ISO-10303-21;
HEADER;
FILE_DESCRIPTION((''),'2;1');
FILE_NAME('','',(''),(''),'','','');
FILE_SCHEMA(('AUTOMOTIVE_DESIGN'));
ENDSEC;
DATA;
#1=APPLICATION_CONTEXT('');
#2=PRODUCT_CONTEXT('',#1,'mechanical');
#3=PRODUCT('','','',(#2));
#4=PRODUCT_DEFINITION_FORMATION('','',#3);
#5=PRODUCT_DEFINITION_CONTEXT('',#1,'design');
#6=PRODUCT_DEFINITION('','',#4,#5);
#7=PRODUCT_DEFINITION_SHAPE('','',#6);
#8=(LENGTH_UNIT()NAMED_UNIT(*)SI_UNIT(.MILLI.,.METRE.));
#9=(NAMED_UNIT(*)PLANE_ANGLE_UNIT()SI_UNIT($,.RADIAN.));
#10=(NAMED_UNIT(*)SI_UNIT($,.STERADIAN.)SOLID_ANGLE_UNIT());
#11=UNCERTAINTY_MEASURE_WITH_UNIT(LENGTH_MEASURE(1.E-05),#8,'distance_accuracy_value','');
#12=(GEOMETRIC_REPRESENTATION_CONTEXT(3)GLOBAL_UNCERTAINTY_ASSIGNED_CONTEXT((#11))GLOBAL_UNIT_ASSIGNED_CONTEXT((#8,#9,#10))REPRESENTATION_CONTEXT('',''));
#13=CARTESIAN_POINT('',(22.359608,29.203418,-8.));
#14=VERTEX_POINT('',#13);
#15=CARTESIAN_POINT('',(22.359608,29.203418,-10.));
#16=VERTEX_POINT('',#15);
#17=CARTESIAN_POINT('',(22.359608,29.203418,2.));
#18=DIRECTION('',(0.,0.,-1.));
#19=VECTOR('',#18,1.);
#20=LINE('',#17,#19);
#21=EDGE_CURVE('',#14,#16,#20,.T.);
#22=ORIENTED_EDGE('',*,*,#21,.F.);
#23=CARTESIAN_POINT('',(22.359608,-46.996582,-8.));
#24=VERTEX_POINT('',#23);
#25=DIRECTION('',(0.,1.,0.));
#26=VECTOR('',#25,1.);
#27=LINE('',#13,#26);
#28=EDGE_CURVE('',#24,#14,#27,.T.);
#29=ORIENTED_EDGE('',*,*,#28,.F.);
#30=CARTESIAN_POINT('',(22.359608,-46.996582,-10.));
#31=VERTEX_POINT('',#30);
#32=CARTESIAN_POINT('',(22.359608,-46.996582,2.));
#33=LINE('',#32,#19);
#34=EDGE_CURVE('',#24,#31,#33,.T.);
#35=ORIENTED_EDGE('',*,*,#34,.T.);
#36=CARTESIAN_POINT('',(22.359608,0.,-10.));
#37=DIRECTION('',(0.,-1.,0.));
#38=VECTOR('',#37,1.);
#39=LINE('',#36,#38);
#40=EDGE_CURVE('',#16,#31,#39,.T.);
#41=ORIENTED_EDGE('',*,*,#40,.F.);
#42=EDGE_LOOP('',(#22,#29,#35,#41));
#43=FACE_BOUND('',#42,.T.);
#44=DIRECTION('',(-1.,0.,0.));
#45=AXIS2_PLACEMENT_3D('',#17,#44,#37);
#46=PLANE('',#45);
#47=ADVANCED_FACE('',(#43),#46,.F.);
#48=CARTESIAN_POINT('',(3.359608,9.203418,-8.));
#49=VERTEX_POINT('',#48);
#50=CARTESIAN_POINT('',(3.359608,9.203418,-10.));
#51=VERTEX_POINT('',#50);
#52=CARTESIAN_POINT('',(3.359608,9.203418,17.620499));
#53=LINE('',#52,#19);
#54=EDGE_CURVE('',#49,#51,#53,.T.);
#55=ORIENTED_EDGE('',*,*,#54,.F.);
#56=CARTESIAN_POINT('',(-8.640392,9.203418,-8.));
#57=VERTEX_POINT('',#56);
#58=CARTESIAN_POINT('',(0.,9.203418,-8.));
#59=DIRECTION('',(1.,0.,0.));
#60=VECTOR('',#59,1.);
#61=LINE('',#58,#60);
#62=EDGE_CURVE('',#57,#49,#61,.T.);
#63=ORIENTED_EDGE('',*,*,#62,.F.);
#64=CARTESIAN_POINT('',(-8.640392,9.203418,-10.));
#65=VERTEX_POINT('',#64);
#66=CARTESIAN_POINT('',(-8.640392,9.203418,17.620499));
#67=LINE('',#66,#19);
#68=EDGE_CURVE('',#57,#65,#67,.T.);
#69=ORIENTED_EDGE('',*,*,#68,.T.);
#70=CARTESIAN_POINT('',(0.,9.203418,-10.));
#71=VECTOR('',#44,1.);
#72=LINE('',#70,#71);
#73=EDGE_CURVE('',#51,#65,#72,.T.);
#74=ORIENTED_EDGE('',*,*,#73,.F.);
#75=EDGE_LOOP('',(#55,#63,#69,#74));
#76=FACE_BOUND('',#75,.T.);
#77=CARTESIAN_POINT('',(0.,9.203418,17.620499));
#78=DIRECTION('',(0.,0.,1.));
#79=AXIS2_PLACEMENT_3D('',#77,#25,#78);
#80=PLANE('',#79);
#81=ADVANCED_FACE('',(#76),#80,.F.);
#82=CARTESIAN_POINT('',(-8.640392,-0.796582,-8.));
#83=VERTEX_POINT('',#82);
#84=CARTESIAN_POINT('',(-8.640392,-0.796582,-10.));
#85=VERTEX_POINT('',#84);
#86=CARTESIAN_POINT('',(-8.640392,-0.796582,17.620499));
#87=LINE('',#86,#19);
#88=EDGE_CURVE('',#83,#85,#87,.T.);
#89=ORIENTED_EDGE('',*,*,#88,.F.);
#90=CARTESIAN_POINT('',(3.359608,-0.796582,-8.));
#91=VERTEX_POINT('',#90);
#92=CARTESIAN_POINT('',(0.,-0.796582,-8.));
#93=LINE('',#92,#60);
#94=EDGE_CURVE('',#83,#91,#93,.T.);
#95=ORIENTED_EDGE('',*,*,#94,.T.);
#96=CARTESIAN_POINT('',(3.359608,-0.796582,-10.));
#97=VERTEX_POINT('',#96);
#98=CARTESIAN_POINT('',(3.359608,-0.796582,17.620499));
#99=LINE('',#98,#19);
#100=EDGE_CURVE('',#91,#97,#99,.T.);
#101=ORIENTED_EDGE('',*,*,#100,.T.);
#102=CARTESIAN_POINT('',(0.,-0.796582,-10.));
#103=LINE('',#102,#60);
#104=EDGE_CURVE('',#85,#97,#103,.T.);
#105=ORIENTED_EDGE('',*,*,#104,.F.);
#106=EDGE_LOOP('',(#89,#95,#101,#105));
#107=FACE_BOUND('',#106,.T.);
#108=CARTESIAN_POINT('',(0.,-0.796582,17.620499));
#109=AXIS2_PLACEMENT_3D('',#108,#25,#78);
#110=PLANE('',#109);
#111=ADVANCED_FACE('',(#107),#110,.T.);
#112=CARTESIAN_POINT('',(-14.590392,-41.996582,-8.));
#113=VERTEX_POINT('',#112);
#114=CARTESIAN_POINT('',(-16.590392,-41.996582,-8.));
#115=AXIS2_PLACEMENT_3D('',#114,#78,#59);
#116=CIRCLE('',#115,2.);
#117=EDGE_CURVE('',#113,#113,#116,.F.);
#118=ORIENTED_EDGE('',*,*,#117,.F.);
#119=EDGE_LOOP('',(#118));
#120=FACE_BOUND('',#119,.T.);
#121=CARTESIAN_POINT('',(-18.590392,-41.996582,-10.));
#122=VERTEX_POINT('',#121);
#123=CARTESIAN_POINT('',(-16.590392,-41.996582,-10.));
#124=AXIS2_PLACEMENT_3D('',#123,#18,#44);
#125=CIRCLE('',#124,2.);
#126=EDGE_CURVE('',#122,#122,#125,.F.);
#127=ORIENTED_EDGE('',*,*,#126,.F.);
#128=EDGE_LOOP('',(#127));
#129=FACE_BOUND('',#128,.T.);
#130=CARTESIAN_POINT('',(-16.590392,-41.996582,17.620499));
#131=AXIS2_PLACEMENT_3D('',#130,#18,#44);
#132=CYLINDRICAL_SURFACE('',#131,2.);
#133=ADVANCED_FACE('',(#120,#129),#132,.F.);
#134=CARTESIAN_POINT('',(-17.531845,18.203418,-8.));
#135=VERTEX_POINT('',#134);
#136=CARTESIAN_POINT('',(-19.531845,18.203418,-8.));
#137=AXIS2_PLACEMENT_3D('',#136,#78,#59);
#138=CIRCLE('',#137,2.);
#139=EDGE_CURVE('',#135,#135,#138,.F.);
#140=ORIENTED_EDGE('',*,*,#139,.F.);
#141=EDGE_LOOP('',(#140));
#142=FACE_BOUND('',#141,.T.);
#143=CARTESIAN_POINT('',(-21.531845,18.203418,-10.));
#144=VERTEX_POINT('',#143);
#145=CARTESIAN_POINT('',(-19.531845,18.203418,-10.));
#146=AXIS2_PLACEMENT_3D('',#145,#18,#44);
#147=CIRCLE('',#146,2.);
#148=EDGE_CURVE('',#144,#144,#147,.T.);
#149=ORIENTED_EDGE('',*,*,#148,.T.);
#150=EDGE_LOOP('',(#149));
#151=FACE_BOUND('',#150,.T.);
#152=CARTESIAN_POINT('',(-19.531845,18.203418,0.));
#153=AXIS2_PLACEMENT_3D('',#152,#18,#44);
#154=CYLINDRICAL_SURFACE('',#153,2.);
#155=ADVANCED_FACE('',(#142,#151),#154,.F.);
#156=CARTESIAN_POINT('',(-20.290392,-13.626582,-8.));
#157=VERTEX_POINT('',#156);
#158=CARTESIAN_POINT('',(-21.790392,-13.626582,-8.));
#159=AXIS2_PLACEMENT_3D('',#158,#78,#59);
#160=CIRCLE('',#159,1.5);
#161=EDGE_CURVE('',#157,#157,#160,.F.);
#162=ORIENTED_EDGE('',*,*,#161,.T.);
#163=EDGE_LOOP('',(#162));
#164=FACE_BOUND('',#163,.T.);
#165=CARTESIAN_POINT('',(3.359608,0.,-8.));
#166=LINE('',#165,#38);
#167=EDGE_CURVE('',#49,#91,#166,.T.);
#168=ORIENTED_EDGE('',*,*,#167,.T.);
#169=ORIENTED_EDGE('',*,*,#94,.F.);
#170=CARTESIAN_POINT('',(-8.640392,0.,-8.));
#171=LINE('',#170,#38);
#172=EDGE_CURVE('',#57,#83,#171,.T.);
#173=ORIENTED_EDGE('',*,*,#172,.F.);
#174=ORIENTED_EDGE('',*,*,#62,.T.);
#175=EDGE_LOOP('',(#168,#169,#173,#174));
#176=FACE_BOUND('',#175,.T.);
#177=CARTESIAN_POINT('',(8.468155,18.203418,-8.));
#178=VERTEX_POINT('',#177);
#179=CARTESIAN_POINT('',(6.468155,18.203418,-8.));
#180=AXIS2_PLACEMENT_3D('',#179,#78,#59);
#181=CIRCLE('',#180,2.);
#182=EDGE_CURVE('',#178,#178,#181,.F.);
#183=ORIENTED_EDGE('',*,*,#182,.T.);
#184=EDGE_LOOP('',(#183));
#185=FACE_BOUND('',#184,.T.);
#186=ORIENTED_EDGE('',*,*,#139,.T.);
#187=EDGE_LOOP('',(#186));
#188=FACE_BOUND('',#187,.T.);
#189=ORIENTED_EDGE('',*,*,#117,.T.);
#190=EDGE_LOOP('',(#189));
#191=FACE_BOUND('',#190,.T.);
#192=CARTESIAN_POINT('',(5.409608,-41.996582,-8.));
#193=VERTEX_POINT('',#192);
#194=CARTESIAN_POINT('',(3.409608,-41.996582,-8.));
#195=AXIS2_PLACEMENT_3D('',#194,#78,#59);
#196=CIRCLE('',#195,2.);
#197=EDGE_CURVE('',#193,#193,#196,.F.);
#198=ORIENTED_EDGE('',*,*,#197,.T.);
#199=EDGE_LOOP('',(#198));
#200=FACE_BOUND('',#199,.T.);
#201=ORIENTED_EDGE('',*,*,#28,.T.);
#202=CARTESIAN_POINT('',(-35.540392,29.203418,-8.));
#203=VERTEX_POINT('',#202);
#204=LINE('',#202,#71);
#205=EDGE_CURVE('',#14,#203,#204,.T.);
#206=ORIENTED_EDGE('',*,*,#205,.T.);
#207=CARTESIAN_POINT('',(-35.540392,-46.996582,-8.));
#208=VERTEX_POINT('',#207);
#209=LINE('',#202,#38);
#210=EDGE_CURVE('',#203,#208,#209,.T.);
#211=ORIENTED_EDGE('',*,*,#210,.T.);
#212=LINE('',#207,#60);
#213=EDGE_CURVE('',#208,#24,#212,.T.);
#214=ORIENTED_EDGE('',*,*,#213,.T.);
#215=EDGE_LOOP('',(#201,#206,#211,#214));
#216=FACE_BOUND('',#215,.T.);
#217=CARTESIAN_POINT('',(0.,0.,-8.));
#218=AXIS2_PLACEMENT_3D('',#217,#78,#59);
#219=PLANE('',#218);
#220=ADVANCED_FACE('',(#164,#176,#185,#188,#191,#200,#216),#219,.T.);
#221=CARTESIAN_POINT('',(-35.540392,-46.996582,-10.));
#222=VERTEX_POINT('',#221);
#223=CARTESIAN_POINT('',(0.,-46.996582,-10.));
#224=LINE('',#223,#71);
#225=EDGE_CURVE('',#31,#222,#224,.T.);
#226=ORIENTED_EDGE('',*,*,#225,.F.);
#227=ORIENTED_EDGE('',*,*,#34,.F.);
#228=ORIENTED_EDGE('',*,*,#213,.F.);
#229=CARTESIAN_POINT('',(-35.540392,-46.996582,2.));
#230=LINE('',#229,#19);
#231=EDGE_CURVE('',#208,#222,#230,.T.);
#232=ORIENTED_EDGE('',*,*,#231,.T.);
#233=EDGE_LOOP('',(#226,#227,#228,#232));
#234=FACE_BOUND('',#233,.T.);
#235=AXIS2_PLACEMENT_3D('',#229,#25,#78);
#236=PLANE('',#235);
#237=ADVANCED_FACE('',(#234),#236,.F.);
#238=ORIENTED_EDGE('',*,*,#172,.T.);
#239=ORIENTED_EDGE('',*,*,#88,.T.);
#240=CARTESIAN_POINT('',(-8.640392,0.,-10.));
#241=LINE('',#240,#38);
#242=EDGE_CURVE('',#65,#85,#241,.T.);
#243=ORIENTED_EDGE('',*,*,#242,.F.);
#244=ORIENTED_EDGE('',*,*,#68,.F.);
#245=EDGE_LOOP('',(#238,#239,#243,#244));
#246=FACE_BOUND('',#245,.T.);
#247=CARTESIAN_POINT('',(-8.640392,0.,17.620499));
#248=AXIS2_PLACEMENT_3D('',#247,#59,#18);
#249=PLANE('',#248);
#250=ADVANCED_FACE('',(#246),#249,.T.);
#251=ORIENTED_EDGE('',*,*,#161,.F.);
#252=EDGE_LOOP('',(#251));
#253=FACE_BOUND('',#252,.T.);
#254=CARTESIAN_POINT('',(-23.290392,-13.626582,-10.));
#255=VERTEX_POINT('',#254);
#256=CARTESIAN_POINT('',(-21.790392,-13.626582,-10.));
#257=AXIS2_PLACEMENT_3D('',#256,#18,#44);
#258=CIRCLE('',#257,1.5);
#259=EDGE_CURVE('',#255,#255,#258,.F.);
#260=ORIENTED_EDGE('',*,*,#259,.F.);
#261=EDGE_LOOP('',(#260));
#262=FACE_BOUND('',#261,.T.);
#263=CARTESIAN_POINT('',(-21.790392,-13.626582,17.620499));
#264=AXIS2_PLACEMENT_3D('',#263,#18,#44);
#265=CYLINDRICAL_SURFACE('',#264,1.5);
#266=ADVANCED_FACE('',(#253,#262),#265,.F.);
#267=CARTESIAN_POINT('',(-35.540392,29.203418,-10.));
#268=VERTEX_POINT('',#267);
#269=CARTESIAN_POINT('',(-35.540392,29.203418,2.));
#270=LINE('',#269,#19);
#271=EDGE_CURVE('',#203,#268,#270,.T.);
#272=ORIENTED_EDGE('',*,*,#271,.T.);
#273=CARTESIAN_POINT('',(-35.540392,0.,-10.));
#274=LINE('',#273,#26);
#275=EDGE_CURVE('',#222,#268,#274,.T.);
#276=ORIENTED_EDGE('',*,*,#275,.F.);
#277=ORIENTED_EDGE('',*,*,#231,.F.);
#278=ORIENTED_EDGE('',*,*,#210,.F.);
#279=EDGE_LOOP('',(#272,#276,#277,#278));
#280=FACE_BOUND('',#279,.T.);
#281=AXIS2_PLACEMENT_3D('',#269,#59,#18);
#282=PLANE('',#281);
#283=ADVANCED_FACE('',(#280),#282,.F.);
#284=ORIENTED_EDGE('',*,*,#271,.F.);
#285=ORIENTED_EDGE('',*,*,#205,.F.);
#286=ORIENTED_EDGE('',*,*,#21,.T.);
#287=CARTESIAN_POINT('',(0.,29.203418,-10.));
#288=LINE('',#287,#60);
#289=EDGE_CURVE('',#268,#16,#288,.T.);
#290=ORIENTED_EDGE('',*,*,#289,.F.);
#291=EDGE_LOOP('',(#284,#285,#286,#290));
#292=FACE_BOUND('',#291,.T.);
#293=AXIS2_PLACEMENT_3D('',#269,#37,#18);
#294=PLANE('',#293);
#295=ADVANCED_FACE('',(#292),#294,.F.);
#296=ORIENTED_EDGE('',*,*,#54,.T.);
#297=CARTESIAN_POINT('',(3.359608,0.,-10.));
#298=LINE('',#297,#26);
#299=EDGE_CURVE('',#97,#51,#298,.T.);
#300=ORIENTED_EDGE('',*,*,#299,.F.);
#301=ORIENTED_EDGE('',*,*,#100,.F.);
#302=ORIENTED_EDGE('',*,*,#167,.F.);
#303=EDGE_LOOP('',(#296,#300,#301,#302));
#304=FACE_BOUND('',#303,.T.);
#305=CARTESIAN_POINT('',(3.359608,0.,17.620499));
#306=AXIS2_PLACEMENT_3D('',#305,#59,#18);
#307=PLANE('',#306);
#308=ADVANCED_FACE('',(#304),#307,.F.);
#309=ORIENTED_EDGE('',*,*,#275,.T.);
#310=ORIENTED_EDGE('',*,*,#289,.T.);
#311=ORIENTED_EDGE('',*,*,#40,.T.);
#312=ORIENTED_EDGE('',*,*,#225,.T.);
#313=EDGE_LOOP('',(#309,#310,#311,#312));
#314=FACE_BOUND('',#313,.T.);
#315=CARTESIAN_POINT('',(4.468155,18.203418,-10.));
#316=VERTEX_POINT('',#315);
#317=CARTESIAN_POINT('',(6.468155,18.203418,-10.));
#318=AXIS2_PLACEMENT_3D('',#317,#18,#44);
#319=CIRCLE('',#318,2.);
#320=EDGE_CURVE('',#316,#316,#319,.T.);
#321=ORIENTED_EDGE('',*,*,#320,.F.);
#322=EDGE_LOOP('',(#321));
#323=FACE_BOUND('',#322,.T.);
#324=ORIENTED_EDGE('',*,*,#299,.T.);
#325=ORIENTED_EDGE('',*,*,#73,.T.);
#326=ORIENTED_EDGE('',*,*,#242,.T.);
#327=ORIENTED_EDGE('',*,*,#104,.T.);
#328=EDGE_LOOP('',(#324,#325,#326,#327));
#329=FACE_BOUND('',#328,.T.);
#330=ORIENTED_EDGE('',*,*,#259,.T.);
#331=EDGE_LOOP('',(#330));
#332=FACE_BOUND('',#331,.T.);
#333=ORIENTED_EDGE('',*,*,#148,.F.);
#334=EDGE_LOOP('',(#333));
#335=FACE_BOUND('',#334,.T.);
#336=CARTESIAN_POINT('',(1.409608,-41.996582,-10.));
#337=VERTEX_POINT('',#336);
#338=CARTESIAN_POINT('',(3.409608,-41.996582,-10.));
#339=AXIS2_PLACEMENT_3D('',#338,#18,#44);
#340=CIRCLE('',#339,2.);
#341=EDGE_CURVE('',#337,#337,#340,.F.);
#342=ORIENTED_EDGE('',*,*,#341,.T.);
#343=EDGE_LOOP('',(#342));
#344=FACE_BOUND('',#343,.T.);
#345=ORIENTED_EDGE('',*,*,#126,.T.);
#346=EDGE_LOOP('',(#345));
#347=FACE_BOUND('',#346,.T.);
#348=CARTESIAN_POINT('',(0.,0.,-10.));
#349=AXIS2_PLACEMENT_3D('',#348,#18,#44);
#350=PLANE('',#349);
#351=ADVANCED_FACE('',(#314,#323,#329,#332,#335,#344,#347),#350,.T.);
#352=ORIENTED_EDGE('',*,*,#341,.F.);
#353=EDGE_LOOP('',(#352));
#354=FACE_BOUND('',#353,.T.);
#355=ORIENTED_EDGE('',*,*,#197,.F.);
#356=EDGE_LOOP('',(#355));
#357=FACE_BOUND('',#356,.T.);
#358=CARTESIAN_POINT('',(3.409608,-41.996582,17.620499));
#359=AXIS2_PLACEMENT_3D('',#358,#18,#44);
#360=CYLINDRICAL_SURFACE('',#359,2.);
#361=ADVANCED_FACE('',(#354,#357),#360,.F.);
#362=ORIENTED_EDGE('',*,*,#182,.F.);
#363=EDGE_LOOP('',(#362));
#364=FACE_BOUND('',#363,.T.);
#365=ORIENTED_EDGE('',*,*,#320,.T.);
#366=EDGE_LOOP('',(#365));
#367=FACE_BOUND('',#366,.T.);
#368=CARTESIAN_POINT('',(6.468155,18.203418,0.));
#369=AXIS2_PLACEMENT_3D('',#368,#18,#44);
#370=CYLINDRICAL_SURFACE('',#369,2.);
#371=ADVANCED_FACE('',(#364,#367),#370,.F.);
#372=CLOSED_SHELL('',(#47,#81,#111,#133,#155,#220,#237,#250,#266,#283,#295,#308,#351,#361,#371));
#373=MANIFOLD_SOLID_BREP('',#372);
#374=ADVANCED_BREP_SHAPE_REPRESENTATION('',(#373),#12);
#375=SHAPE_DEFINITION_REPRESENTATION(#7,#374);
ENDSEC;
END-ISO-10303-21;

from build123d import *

# Parameters (mm, degrees)
SKETCH1_W           = 57.9
SKETCH1_H           = 76.2
BOSS_EXTRUDE1_DEPTH = 2
SKETCH2_R           = 2
SKETCH2_W           = 12
SKETCH2_H           = 10
SKETCH2_R_2         = 1.5
CUT_EXTRUDE1_DEPTH  = 2
SKETCH4_R           = 2
SKETCH4_R_2         = 1.5
SKETCH4_R_3         = 1.957178151
BOSS_EXTRUDE5_DEPTH = 2
SKETCH8_W           = 57.9
SKETCH8_H           = 76.2
SKETCH8_R           = 2
SKETCH8_R_2         = 1.5
SKETCH8_W_2         = 12
SKETCH8_H_2         = 10
BOSS_EXTRUDE6_DEPTH = 10
SKETCH9_R           = 2
CUT_EXTRUDE6_DEPTH  = 10
SKETCH10_W          = 57.9
SKETCH10_H          = 76.2
CUT_EXTRUDE7_DEPTH  = 10


with BuildPart() as part:
    # Sketch1 → Boss-Extrude1 (new body)
    with BuildSketch(Plane.XY):
        with Locations((-6.590392234, -8.896581688)):
            Rectangle(SKETCH1_W, SKETCH1_H)
    extrude(amount=BOSS_EXTRUDE1_DEPTH)

    # Sketch2 → Cut-Extrude1 (cut)
    with BuildSketch(Plane(origin=(0, 0, 0), x_dir=(-1, 0, 0), z_dir=(0, 0, -1))):
        with Locations((-6.409607766, 14.203418312)):
            Circle(SKETCH2_R)
        with Locations((19.590392234, 14.203418312)):
            Circle(SKETCH2_R)
        with Locations((2.640392234, 4.203418312)):
            Rectangle(SKETCH2_W, SKETCH2_H)
        with Locations((16.590392234, -41.996581688)):
            Circle(SKETCH2_R)
        with Locations((-3.409607766, -41.996581688)):
            Circle(SKETCH2_R)
        with Locations((21.790392234, -13.626581688)):
            Circle(SKETCH2_R_2)
    extrude(amount=-CUT_EXTRUDE1_DEPTH, mode=Mode.SUBTRACT)

    # Sketch4 → Boss-Extrude5 (add)
    # profile 1 of 3: a face of its own
    with BuildSketch(Plane(origin=(0, 0, 0), x_dir=(-1, 0, 0), z_dir=(0, 0, -1))):
        Polygon((35.540392234, 29.203418312), (6.590392234, 29.203418312), (-22.359607766, 29.203418312), (-22.359607766, -46.996581688), (35.540392234, -46.996581688), align=None)
        with Locations((-3.409607766, -41.996581688)):
            Circle(SKETCH4_R, mode=Mode.SUBTRACT)
        with Locations((16.590392234, -41.996581688)):
            Circle(SKETCH4_R, mode=Mode.SUBTRACT)
        with Locations((21.790392234, -13.626581688)):
            Circle(SKETCH4_R_2, mode=Mode.SUBTRACT)
        Polygon((-13.650237399, 24.487372027), (6.590392234, 24.487372027), (30.150370064, 24.487372027), (30.150370064, 9.203418312), (8.640392234, 9.203418312), (8.640392234, -0.796581688), (-3.359607766, -0.796581688), (-3.359607766, 9.203418312), (-13.650237399, 9.203418312), align=None, mode=Mode.SUBTRACT)
    # profile 2 of 3: a face of its own
    with BuildSketch(Plane(origin=(0, 0, 0), x_dir=(-1, 0, 0), z_dir=(0, 0, -1))):
        with Locations((-6.409607766, 14.203418312)):
            Circle(SKETCH4_R)
    # profile 3 of 3: a face of its own
    with BuildSketch(Plane(origin=(0, 0, 0), x_dir=(-1, 0, 0), z_dir=(0, 0, -1))):
        with Locations((19.590392234, 14.203418312)):
            Circle(SKETCH4_R_3)
    extrude(amount=-BOSS_EXTRUDE5_DEPTH)


with BuildPart() as boss_extrude5_piece_1:
    # of the separate pieces the step leaves, piece 1, a body of its own (boss_extrude5_pieces)
    add(part.part.solids().sort_by_distance((-35.540392234, 29.203418312, 0))[0])



with BuildPart() as boss_extrude5_piece_2:
    # of the separate pieces the step leaves, piece 2, a body of its own (boss_extrude5_pieces)
    add(part.part.solids().sort_by_distance((-21.547570385, 14.203418312, 0))[0])


with BuildPart() as boss_extrude5_piece_1_1:
    add(boss_extrude5_piece_1.part)

    add(boss_extrude5_piece_2.part)  # Boss-Extrude6 merges Boss-Extrude5 piece 2
    # Sketch8 → Boss-Extrude6 (add)
    # profile 1 of 2: a face of its own
    with BuildSketch(Plane(origin=(0, 0, 0), x_dir=(-1, 0, 0), z_dir=(0, 0, -1))):
        with Locations((6.590392234, -8.896581688)):
            Rectangle(SKETCH8_W, SKETCH8_H)
        with Locations((16.590392234, -41.996581688)):
            Circle(SKETCH8_R, mode=Mode.SUBTRACT)
        with Locations((21.790392234, -13.626581688)):
            Circle(SKETCH8_R_2, mode=Mode.SUBTRACT)
        with Locations((19.590392234, 14.203418312)):
            Circle(SKETCH8_R, mode=Mode.SUBTRACT)
        with Locations((-3.409607766, -41.996581688)):
            Circle(SKETCH8_R, mode=Mode.SUBTRACT)
        with Locations((2.640392234, 4.203418312)):
            Rectangle(SKETCH8_W_2, SKETCH8_H_2, mode=Mode.SUBTRACT)
    # profile 2 of 2: a face of its own
    with BuildSketch(Plane(origin=(0, 0, 0), x_dir=(-1, 0, 0), z_dir=(0, 0, -1))):
        with Locations((19.590392234, 14.203418312)):
            Circle(SKETCH8_R)
    extrude(amount=BOSS_EXTRUDE6_DEPTH)

    # Sketch9 → Cut-Extrude6 (cut)
    with BuildSketch(Plane(origin=(0, 0, -10), x_dir=(-1, 0, 0), z_dir=(0, 0, -1))):
        with Locations((-6.468155069, 18.203418312)):
            Circle(SKETCH9_R)
        with Locations((19.531844931, 18.203418312)):
            Circle(SKETCH9_R)
    extrude(amount=-CUT_EXTRUDE6_DEPTH, mode=Mode.SUBTRACT)

    # Sketch10 → Cut-Extrude7 (cut)
    with BuildSketch(Plane.XY.offset(2)):
        with Locations((-6.590392234, -8.896581688)):
            Rectangle(SKETCH10_W, SKETCH10_H)
    extrude(amount=-CUT_EXTRUDE7_DEPTH, mode=Mode.SUBTRACT)


solid = boss_extrude5_piece_1_1.part
